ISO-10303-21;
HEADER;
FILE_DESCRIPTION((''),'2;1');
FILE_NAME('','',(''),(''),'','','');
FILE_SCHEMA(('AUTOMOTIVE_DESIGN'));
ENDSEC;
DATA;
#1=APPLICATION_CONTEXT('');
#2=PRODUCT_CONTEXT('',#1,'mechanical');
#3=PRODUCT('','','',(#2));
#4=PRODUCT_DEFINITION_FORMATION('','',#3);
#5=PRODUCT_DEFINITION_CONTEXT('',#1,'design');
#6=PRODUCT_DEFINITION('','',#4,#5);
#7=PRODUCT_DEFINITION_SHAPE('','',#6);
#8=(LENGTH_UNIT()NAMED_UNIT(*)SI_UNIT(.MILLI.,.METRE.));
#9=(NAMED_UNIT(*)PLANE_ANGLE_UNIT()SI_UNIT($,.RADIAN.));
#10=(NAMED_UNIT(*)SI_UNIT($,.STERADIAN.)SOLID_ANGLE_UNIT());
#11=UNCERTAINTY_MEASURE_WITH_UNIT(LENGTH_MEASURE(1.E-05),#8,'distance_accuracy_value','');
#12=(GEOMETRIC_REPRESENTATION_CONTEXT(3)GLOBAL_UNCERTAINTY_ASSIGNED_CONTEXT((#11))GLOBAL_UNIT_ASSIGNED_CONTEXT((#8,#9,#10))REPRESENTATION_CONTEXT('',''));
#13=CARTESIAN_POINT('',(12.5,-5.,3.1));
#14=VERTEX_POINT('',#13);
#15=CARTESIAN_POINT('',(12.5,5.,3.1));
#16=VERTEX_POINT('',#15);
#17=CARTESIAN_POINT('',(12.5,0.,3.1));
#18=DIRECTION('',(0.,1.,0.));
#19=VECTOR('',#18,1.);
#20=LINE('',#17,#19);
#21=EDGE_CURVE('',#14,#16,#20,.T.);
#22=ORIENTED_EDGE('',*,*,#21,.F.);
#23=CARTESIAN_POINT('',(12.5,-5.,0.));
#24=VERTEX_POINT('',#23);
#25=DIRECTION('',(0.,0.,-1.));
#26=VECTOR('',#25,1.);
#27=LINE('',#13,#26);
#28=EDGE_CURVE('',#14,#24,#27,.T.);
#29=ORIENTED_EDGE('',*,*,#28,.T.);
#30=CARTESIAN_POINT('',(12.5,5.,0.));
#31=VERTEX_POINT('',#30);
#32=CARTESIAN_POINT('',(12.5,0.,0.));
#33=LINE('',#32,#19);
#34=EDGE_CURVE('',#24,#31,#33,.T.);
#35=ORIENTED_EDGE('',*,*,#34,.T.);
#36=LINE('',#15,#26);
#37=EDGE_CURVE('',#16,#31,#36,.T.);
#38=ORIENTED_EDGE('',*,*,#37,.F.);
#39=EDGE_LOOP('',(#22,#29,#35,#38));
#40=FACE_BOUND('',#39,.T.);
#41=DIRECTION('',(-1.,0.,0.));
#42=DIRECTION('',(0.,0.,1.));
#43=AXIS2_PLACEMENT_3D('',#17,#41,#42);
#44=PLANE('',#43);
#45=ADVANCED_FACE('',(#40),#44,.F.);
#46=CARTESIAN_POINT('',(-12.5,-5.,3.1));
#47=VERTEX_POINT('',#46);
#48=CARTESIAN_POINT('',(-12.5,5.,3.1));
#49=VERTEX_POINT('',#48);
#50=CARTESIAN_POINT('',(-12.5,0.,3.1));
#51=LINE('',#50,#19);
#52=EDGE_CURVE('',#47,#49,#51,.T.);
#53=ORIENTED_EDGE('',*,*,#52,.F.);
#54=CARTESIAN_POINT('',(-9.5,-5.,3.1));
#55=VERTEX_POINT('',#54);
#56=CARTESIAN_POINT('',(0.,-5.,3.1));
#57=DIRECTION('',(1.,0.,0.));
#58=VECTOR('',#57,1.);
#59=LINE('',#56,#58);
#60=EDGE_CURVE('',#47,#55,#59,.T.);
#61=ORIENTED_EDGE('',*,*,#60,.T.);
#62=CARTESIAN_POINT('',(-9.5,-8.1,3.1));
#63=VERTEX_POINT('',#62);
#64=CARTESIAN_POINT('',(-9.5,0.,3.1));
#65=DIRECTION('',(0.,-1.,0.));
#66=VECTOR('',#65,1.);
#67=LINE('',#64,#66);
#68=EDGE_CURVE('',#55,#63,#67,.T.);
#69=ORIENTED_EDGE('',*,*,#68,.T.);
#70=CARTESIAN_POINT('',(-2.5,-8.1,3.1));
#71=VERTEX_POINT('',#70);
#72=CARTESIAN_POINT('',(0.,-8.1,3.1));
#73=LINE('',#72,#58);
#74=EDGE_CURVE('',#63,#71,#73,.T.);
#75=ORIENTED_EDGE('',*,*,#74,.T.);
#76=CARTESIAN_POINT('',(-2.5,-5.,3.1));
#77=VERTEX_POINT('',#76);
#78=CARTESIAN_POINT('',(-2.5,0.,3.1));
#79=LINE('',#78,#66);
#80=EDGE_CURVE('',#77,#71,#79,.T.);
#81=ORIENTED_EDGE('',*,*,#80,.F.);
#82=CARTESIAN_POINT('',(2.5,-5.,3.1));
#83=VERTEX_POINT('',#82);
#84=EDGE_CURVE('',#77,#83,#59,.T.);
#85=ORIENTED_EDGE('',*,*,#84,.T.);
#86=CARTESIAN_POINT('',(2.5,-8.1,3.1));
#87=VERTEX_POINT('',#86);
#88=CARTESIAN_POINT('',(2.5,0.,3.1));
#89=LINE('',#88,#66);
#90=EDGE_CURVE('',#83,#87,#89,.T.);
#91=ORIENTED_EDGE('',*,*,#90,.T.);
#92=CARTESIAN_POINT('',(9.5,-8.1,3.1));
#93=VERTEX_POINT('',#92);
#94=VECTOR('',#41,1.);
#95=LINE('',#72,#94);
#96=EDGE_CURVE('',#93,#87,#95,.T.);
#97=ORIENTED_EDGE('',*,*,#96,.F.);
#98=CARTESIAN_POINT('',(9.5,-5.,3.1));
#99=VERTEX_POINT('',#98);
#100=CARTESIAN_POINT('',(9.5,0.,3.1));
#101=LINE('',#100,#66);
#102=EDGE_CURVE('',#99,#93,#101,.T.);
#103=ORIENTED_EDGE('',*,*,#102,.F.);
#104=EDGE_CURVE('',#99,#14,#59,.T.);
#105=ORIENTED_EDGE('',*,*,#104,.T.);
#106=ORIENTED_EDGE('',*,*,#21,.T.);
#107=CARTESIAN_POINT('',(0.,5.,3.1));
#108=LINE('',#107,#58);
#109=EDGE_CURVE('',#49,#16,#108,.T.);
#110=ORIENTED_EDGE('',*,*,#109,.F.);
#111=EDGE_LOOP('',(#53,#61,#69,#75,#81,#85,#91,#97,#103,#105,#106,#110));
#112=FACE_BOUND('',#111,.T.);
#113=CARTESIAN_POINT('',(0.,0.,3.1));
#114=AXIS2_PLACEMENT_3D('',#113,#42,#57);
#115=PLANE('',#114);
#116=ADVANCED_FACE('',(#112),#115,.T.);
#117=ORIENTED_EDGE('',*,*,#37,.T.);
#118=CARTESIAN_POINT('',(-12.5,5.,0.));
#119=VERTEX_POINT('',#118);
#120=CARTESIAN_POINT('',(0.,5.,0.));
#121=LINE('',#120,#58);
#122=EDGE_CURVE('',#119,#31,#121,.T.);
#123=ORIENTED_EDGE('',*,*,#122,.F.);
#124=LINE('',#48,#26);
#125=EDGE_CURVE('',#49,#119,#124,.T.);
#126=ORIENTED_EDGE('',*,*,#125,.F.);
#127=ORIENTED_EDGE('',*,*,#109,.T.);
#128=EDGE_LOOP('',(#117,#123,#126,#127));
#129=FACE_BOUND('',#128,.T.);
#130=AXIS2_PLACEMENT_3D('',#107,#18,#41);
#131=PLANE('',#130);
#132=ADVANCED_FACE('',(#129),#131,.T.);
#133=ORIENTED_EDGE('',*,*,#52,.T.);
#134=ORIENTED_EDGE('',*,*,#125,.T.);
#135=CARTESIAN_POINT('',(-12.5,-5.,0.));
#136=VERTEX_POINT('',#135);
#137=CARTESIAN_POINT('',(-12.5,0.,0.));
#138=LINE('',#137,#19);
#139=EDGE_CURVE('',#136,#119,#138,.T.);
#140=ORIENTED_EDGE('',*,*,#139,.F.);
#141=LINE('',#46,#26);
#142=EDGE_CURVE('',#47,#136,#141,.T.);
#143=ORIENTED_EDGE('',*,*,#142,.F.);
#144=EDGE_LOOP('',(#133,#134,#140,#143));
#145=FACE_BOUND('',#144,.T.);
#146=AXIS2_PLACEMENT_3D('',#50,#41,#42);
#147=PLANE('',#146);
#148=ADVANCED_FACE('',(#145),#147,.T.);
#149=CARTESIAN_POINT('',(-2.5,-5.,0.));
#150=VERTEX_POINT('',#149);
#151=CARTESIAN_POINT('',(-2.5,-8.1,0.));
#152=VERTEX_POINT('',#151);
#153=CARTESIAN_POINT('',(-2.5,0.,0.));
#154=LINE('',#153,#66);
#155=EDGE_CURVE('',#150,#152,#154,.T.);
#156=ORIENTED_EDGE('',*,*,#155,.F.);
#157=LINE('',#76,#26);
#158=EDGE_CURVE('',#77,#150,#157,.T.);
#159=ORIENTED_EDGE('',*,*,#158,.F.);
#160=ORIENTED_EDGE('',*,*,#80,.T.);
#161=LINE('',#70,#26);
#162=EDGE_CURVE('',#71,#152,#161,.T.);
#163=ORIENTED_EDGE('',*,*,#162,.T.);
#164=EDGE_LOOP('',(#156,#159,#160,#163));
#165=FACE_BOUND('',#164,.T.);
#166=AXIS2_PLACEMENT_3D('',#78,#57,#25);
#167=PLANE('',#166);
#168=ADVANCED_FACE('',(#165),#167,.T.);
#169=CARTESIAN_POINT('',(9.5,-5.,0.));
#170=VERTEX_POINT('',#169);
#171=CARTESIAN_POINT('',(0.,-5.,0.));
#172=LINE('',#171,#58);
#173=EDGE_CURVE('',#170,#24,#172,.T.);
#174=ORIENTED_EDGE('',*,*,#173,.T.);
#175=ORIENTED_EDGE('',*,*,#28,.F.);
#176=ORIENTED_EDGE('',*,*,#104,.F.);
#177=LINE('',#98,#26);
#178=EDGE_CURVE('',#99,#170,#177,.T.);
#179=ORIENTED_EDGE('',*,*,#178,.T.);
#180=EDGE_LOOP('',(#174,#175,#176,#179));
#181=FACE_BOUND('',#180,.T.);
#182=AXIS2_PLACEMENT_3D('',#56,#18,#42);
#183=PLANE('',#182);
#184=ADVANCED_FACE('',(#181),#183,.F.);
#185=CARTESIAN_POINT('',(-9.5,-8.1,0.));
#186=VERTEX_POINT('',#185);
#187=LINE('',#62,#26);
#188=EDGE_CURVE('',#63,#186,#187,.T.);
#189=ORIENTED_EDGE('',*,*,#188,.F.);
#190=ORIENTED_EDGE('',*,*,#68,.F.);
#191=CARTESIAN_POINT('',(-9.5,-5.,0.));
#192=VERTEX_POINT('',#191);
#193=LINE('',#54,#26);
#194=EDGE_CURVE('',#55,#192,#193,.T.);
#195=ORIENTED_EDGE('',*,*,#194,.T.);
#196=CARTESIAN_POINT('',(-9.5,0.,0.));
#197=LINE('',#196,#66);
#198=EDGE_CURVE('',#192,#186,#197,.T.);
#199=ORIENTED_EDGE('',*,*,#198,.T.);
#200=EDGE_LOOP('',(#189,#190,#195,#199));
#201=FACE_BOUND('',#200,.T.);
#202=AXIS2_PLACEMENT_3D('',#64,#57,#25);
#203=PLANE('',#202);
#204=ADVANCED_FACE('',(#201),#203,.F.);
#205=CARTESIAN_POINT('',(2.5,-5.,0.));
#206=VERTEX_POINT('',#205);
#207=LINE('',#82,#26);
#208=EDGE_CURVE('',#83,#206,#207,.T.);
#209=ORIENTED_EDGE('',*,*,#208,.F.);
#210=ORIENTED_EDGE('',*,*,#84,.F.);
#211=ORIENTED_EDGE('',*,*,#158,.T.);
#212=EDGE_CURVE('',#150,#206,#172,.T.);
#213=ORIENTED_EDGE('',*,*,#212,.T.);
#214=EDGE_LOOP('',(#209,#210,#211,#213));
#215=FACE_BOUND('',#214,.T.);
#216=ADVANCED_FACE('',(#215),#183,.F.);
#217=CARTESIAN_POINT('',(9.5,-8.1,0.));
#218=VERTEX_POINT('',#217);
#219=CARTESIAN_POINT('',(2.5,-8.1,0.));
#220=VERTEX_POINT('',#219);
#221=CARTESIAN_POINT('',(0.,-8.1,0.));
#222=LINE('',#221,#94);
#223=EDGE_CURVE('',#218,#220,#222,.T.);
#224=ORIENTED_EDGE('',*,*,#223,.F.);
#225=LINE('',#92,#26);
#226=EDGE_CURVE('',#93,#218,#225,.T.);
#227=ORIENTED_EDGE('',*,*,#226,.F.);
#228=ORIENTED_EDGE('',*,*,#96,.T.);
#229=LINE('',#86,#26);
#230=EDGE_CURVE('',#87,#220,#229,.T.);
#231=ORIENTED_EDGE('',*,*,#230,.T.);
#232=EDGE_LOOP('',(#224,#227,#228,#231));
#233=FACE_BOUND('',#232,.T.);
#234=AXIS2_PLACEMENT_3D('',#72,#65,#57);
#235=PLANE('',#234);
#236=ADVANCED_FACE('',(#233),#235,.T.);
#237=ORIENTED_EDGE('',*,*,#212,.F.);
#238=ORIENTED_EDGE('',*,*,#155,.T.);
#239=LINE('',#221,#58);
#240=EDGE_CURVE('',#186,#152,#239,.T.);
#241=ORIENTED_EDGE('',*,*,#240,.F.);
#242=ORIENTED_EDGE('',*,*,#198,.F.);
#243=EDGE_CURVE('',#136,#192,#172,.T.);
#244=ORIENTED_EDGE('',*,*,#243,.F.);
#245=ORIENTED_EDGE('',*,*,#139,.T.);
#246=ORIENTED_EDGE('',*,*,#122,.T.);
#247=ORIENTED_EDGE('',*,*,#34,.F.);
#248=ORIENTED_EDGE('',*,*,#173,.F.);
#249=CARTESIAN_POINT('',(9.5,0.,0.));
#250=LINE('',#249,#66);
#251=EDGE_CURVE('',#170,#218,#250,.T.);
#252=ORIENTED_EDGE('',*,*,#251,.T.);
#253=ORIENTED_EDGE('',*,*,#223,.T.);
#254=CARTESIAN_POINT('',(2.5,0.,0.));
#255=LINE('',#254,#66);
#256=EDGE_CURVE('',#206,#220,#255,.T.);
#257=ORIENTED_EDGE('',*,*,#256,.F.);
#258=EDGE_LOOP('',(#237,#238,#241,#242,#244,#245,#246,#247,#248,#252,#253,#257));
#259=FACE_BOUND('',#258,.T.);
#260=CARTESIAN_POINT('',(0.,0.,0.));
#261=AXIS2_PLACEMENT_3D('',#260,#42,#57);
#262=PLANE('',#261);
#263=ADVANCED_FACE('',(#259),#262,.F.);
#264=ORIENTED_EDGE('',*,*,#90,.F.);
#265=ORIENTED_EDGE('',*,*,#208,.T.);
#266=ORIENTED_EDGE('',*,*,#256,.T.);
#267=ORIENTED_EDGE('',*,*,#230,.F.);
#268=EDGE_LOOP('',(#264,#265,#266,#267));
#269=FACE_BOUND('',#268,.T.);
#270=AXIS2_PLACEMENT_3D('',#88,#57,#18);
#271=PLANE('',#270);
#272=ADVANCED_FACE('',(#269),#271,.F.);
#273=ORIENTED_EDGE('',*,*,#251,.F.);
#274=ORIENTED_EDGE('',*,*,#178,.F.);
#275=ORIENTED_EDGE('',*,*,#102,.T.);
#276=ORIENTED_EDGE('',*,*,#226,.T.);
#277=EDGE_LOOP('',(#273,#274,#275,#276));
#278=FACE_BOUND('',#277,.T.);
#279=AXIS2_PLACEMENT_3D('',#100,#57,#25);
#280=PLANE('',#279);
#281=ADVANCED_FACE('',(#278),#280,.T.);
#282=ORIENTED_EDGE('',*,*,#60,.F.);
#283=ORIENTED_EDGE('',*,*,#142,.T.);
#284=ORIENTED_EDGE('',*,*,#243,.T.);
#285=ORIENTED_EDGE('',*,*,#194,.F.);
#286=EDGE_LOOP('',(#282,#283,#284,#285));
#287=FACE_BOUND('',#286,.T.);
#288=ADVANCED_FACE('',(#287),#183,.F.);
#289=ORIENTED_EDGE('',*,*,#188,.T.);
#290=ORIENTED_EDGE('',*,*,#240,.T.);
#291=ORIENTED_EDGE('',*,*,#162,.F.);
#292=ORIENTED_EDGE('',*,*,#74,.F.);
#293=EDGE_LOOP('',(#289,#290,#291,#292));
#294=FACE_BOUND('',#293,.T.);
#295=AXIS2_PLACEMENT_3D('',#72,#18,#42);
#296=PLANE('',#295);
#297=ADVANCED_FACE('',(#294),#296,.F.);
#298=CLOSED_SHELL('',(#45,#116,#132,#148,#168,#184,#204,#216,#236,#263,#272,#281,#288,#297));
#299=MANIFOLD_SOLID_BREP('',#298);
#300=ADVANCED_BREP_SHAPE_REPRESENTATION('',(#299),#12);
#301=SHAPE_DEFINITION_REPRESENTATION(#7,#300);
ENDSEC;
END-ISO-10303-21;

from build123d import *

# Parameters (mm, degrees)
SKETCH_1_W      = 25
SKETCH_1_H      = 10
SKETCH_1_W_2    = 7
SKETCH_1_H_2    = 3.1
EXTRUDE_1_DEPTH = 3.1


with BuildPart() as part:
    # 草图1 → 凸台-拉伸1 (new body)
    with BuildSketch(Plane.XY):
        Rectangle(SKETCH_1_W, SKETCH_1_H)
        with Locations((-6, -6.55)):
            Rectangle(SKETCH_1_W_2, SKETCH_1_H_2)
        with Locations((6, -6.55)):
            Rectangle(SKETCH_1_W_2, SKETCH_1_H_2)
    extrude(amount=EXTRUDE_1_DEPTH)


solid = part.part
